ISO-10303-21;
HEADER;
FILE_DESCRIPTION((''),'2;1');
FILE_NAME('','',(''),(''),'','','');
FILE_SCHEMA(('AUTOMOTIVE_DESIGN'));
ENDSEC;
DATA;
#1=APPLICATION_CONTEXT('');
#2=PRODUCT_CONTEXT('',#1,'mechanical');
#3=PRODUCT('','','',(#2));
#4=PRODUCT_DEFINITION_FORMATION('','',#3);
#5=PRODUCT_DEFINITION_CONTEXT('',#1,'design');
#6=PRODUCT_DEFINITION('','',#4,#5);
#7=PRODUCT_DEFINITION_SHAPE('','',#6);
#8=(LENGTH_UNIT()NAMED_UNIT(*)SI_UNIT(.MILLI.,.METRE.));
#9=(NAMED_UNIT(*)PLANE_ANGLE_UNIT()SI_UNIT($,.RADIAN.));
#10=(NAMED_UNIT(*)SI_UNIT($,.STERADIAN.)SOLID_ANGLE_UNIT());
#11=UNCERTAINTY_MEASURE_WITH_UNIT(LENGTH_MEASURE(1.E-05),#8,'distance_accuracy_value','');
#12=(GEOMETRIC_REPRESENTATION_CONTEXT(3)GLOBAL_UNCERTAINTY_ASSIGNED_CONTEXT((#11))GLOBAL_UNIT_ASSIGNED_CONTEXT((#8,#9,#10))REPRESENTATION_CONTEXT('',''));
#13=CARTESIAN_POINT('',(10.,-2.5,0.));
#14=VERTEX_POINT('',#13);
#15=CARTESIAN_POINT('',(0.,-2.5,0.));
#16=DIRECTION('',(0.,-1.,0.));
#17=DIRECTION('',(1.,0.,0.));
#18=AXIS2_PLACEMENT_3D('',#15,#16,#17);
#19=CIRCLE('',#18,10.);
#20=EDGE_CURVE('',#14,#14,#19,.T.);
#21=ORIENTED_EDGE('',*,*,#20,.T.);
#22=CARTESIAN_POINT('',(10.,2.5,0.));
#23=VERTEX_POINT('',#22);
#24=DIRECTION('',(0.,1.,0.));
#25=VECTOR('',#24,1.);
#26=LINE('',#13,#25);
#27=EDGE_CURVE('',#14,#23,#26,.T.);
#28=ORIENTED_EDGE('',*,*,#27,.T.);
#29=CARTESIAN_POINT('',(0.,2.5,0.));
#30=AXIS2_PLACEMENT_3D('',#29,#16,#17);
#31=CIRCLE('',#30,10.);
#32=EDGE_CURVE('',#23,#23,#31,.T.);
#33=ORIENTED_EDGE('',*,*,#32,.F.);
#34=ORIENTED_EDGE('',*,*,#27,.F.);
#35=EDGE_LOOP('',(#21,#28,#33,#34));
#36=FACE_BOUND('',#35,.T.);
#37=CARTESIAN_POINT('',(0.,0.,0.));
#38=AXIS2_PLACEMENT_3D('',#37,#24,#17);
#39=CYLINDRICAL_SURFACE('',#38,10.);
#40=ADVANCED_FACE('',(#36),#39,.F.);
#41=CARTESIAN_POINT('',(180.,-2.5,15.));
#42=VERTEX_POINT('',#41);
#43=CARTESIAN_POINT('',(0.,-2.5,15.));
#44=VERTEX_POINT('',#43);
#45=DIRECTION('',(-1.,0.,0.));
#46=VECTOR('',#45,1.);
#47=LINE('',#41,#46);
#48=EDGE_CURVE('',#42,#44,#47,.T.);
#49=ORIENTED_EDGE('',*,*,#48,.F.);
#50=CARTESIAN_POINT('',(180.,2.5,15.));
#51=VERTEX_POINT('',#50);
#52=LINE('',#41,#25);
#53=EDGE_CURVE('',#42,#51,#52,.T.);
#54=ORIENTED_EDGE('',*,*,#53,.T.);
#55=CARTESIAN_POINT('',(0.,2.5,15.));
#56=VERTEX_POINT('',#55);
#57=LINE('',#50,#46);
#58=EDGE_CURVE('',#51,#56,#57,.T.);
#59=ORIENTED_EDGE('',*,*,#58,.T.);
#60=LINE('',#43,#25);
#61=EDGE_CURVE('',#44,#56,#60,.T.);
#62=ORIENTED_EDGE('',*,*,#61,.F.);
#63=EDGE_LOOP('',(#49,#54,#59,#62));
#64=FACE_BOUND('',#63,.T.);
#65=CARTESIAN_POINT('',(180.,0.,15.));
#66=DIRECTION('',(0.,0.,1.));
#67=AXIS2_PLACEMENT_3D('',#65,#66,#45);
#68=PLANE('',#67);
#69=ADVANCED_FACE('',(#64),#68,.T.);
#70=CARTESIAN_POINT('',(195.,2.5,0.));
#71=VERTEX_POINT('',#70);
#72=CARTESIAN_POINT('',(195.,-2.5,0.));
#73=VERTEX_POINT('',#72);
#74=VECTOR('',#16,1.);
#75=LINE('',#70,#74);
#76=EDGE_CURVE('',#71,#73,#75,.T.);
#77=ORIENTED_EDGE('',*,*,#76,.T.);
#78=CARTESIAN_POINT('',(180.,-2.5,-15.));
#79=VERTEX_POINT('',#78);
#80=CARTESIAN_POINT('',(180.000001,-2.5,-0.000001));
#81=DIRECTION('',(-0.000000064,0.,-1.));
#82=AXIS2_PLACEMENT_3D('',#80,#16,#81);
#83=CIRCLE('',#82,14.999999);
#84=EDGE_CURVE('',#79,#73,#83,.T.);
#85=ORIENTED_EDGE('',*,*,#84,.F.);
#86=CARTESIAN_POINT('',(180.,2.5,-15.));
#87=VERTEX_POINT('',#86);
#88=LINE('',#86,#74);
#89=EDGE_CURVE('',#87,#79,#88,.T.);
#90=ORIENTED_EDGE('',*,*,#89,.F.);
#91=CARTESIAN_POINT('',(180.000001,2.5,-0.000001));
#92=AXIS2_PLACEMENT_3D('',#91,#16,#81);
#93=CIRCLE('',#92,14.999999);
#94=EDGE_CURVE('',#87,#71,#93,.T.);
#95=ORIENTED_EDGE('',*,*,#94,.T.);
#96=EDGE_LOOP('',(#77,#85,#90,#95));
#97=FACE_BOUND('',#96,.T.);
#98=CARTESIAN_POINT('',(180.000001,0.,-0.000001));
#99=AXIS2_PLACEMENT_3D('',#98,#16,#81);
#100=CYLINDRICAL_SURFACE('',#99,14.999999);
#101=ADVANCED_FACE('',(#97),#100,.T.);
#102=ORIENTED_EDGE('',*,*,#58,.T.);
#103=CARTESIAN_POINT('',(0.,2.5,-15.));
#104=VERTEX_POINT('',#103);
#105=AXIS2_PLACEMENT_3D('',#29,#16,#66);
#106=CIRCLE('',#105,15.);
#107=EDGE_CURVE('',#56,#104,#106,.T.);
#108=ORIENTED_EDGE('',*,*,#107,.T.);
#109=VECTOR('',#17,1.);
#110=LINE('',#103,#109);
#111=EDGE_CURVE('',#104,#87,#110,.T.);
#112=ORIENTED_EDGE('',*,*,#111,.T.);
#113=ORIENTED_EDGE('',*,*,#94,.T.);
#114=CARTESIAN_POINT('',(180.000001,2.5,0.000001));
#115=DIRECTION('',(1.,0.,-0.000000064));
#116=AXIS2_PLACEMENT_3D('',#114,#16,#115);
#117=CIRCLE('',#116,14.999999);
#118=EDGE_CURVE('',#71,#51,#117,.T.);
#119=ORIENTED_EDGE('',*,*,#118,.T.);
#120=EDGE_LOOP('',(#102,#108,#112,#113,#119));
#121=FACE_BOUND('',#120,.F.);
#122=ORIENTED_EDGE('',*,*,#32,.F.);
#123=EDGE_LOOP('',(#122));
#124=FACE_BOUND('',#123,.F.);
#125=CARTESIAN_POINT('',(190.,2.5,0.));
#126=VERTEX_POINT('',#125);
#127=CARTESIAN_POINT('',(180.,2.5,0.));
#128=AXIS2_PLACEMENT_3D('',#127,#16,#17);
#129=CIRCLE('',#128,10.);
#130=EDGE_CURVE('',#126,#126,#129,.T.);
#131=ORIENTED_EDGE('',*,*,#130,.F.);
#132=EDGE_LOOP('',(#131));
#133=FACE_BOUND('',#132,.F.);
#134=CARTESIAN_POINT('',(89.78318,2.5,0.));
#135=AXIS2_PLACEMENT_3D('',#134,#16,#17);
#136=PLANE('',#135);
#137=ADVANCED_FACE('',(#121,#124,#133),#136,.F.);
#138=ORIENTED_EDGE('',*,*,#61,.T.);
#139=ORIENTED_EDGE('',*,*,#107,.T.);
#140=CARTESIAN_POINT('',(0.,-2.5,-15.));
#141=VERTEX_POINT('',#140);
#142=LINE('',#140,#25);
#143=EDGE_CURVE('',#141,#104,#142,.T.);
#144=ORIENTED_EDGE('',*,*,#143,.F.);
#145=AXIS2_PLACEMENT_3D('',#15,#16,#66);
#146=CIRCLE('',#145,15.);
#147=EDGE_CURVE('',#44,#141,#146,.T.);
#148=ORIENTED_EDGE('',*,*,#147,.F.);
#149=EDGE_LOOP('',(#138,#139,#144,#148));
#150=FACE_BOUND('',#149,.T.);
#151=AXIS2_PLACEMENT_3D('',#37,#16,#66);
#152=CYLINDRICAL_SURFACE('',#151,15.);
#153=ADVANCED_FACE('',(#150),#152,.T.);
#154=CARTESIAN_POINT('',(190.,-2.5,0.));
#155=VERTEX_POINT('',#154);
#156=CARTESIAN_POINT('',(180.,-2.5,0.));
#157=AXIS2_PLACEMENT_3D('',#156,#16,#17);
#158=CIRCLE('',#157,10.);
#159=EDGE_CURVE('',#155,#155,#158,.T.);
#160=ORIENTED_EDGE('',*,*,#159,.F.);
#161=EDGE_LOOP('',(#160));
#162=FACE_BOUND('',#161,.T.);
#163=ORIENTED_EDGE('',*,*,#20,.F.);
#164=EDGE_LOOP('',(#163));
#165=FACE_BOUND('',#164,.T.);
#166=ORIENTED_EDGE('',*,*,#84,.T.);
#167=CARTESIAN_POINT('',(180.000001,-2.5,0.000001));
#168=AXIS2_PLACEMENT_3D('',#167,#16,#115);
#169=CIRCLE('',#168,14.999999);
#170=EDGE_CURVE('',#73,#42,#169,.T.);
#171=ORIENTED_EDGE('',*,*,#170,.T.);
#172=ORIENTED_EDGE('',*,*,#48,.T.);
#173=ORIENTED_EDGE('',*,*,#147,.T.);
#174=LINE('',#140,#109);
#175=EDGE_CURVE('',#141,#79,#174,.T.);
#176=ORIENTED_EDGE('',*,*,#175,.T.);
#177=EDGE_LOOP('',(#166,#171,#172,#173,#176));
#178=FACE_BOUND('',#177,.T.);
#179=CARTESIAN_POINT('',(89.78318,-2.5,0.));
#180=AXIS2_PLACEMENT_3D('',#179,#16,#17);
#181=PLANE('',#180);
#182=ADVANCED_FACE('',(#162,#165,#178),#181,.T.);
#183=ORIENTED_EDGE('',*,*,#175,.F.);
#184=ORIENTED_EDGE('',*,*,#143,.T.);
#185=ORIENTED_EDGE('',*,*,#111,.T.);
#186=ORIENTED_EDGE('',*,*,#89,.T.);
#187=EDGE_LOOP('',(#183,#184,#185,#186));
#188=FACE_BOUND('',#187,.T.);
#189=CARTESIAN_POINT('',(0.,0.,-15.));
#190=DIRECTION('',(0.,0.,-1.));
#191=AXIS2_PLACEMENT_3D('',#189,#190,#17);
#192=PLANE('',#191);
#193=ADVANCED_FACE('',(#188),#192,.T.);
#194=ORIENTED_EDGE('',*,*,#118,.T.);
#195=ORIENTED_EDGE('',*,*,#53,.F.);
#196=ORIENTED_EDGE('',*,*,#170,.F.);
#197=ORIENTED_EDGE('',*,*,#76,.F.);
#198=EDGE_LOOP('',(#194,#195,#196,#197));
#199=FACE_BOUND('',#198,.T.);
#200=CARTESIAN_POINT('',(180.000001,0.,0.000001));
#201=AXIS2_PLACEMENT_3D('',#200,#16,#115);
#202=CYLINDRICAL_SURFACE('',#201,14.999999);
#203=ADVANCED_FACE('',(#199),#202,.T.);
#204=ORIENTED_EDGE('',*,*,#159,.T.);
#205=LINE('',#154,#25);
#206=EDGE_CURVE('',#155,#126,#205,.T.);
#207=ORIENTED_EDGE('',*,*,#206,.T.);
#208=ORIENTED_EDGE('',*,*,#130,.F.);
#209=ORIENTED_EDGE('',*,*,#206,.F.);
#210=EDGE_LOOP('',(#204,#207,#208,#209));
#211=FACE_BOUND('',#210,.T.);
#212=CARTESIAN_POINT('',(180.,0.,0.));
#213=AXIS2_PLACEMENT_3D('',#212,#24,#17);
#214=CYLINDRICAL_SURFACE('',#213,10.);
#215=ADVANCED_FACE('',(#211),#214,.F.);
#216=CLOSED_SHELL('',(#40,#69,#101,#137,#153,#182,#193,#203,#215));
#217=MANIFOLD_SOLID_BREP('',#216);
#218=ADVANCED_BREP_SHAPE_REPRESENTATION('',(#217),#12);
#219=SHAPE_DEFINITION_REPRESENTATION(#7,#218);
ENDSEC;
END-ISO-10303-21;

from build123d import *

# Parameters (mm, degrees)
F0_R     = 10
F1_DEPTH = 2.5


with BuildPart() as f1:
    # F0 (on Front) → F1 (new body, symmetric)
    with BuildSketch(Plane.XZ):
        with BuildLine():
            ThreePointArc((0, 15), (10.606602, 10.606602), (15, 0))
            ThreePointArc((15, 0), (10.606602, -10.606602), (0, -15))
            Line((0, -15), (180, -15))
            ThreePointArc((180, -15), (165, 0), (180, 15))
            Line((180, 15), (0, 15))
        make_face()
        with BuildLine():
            ThreePointArc((0, -15), (10.606602, -10.606602), (15, 0))
            ThreePointArc((15, 0), (10.606602, 10.606602), (0, 15))
            ThreePointArc((0, 15), (-15, 0), (0, -15))
        make_face()
        Circle(F0_R, mode=Mode.SUBTRACT)
        with BuildLine():
            ThreePointArc((195, 0), (190.606602, 10.606602), (180, 15))
            ThreePointArc((180, 15), (165, 0), (180, -15))
            ThreePointArc((180, -15), (190.606602, -10.606602), (195, 0))
        make_face()
        with Locations((180, 0)):
            Circle(F0_R, mode=Mode.SUBTRACT)
    extrude(amount=F1_DEPTH, both=True)


solid = f1.part
